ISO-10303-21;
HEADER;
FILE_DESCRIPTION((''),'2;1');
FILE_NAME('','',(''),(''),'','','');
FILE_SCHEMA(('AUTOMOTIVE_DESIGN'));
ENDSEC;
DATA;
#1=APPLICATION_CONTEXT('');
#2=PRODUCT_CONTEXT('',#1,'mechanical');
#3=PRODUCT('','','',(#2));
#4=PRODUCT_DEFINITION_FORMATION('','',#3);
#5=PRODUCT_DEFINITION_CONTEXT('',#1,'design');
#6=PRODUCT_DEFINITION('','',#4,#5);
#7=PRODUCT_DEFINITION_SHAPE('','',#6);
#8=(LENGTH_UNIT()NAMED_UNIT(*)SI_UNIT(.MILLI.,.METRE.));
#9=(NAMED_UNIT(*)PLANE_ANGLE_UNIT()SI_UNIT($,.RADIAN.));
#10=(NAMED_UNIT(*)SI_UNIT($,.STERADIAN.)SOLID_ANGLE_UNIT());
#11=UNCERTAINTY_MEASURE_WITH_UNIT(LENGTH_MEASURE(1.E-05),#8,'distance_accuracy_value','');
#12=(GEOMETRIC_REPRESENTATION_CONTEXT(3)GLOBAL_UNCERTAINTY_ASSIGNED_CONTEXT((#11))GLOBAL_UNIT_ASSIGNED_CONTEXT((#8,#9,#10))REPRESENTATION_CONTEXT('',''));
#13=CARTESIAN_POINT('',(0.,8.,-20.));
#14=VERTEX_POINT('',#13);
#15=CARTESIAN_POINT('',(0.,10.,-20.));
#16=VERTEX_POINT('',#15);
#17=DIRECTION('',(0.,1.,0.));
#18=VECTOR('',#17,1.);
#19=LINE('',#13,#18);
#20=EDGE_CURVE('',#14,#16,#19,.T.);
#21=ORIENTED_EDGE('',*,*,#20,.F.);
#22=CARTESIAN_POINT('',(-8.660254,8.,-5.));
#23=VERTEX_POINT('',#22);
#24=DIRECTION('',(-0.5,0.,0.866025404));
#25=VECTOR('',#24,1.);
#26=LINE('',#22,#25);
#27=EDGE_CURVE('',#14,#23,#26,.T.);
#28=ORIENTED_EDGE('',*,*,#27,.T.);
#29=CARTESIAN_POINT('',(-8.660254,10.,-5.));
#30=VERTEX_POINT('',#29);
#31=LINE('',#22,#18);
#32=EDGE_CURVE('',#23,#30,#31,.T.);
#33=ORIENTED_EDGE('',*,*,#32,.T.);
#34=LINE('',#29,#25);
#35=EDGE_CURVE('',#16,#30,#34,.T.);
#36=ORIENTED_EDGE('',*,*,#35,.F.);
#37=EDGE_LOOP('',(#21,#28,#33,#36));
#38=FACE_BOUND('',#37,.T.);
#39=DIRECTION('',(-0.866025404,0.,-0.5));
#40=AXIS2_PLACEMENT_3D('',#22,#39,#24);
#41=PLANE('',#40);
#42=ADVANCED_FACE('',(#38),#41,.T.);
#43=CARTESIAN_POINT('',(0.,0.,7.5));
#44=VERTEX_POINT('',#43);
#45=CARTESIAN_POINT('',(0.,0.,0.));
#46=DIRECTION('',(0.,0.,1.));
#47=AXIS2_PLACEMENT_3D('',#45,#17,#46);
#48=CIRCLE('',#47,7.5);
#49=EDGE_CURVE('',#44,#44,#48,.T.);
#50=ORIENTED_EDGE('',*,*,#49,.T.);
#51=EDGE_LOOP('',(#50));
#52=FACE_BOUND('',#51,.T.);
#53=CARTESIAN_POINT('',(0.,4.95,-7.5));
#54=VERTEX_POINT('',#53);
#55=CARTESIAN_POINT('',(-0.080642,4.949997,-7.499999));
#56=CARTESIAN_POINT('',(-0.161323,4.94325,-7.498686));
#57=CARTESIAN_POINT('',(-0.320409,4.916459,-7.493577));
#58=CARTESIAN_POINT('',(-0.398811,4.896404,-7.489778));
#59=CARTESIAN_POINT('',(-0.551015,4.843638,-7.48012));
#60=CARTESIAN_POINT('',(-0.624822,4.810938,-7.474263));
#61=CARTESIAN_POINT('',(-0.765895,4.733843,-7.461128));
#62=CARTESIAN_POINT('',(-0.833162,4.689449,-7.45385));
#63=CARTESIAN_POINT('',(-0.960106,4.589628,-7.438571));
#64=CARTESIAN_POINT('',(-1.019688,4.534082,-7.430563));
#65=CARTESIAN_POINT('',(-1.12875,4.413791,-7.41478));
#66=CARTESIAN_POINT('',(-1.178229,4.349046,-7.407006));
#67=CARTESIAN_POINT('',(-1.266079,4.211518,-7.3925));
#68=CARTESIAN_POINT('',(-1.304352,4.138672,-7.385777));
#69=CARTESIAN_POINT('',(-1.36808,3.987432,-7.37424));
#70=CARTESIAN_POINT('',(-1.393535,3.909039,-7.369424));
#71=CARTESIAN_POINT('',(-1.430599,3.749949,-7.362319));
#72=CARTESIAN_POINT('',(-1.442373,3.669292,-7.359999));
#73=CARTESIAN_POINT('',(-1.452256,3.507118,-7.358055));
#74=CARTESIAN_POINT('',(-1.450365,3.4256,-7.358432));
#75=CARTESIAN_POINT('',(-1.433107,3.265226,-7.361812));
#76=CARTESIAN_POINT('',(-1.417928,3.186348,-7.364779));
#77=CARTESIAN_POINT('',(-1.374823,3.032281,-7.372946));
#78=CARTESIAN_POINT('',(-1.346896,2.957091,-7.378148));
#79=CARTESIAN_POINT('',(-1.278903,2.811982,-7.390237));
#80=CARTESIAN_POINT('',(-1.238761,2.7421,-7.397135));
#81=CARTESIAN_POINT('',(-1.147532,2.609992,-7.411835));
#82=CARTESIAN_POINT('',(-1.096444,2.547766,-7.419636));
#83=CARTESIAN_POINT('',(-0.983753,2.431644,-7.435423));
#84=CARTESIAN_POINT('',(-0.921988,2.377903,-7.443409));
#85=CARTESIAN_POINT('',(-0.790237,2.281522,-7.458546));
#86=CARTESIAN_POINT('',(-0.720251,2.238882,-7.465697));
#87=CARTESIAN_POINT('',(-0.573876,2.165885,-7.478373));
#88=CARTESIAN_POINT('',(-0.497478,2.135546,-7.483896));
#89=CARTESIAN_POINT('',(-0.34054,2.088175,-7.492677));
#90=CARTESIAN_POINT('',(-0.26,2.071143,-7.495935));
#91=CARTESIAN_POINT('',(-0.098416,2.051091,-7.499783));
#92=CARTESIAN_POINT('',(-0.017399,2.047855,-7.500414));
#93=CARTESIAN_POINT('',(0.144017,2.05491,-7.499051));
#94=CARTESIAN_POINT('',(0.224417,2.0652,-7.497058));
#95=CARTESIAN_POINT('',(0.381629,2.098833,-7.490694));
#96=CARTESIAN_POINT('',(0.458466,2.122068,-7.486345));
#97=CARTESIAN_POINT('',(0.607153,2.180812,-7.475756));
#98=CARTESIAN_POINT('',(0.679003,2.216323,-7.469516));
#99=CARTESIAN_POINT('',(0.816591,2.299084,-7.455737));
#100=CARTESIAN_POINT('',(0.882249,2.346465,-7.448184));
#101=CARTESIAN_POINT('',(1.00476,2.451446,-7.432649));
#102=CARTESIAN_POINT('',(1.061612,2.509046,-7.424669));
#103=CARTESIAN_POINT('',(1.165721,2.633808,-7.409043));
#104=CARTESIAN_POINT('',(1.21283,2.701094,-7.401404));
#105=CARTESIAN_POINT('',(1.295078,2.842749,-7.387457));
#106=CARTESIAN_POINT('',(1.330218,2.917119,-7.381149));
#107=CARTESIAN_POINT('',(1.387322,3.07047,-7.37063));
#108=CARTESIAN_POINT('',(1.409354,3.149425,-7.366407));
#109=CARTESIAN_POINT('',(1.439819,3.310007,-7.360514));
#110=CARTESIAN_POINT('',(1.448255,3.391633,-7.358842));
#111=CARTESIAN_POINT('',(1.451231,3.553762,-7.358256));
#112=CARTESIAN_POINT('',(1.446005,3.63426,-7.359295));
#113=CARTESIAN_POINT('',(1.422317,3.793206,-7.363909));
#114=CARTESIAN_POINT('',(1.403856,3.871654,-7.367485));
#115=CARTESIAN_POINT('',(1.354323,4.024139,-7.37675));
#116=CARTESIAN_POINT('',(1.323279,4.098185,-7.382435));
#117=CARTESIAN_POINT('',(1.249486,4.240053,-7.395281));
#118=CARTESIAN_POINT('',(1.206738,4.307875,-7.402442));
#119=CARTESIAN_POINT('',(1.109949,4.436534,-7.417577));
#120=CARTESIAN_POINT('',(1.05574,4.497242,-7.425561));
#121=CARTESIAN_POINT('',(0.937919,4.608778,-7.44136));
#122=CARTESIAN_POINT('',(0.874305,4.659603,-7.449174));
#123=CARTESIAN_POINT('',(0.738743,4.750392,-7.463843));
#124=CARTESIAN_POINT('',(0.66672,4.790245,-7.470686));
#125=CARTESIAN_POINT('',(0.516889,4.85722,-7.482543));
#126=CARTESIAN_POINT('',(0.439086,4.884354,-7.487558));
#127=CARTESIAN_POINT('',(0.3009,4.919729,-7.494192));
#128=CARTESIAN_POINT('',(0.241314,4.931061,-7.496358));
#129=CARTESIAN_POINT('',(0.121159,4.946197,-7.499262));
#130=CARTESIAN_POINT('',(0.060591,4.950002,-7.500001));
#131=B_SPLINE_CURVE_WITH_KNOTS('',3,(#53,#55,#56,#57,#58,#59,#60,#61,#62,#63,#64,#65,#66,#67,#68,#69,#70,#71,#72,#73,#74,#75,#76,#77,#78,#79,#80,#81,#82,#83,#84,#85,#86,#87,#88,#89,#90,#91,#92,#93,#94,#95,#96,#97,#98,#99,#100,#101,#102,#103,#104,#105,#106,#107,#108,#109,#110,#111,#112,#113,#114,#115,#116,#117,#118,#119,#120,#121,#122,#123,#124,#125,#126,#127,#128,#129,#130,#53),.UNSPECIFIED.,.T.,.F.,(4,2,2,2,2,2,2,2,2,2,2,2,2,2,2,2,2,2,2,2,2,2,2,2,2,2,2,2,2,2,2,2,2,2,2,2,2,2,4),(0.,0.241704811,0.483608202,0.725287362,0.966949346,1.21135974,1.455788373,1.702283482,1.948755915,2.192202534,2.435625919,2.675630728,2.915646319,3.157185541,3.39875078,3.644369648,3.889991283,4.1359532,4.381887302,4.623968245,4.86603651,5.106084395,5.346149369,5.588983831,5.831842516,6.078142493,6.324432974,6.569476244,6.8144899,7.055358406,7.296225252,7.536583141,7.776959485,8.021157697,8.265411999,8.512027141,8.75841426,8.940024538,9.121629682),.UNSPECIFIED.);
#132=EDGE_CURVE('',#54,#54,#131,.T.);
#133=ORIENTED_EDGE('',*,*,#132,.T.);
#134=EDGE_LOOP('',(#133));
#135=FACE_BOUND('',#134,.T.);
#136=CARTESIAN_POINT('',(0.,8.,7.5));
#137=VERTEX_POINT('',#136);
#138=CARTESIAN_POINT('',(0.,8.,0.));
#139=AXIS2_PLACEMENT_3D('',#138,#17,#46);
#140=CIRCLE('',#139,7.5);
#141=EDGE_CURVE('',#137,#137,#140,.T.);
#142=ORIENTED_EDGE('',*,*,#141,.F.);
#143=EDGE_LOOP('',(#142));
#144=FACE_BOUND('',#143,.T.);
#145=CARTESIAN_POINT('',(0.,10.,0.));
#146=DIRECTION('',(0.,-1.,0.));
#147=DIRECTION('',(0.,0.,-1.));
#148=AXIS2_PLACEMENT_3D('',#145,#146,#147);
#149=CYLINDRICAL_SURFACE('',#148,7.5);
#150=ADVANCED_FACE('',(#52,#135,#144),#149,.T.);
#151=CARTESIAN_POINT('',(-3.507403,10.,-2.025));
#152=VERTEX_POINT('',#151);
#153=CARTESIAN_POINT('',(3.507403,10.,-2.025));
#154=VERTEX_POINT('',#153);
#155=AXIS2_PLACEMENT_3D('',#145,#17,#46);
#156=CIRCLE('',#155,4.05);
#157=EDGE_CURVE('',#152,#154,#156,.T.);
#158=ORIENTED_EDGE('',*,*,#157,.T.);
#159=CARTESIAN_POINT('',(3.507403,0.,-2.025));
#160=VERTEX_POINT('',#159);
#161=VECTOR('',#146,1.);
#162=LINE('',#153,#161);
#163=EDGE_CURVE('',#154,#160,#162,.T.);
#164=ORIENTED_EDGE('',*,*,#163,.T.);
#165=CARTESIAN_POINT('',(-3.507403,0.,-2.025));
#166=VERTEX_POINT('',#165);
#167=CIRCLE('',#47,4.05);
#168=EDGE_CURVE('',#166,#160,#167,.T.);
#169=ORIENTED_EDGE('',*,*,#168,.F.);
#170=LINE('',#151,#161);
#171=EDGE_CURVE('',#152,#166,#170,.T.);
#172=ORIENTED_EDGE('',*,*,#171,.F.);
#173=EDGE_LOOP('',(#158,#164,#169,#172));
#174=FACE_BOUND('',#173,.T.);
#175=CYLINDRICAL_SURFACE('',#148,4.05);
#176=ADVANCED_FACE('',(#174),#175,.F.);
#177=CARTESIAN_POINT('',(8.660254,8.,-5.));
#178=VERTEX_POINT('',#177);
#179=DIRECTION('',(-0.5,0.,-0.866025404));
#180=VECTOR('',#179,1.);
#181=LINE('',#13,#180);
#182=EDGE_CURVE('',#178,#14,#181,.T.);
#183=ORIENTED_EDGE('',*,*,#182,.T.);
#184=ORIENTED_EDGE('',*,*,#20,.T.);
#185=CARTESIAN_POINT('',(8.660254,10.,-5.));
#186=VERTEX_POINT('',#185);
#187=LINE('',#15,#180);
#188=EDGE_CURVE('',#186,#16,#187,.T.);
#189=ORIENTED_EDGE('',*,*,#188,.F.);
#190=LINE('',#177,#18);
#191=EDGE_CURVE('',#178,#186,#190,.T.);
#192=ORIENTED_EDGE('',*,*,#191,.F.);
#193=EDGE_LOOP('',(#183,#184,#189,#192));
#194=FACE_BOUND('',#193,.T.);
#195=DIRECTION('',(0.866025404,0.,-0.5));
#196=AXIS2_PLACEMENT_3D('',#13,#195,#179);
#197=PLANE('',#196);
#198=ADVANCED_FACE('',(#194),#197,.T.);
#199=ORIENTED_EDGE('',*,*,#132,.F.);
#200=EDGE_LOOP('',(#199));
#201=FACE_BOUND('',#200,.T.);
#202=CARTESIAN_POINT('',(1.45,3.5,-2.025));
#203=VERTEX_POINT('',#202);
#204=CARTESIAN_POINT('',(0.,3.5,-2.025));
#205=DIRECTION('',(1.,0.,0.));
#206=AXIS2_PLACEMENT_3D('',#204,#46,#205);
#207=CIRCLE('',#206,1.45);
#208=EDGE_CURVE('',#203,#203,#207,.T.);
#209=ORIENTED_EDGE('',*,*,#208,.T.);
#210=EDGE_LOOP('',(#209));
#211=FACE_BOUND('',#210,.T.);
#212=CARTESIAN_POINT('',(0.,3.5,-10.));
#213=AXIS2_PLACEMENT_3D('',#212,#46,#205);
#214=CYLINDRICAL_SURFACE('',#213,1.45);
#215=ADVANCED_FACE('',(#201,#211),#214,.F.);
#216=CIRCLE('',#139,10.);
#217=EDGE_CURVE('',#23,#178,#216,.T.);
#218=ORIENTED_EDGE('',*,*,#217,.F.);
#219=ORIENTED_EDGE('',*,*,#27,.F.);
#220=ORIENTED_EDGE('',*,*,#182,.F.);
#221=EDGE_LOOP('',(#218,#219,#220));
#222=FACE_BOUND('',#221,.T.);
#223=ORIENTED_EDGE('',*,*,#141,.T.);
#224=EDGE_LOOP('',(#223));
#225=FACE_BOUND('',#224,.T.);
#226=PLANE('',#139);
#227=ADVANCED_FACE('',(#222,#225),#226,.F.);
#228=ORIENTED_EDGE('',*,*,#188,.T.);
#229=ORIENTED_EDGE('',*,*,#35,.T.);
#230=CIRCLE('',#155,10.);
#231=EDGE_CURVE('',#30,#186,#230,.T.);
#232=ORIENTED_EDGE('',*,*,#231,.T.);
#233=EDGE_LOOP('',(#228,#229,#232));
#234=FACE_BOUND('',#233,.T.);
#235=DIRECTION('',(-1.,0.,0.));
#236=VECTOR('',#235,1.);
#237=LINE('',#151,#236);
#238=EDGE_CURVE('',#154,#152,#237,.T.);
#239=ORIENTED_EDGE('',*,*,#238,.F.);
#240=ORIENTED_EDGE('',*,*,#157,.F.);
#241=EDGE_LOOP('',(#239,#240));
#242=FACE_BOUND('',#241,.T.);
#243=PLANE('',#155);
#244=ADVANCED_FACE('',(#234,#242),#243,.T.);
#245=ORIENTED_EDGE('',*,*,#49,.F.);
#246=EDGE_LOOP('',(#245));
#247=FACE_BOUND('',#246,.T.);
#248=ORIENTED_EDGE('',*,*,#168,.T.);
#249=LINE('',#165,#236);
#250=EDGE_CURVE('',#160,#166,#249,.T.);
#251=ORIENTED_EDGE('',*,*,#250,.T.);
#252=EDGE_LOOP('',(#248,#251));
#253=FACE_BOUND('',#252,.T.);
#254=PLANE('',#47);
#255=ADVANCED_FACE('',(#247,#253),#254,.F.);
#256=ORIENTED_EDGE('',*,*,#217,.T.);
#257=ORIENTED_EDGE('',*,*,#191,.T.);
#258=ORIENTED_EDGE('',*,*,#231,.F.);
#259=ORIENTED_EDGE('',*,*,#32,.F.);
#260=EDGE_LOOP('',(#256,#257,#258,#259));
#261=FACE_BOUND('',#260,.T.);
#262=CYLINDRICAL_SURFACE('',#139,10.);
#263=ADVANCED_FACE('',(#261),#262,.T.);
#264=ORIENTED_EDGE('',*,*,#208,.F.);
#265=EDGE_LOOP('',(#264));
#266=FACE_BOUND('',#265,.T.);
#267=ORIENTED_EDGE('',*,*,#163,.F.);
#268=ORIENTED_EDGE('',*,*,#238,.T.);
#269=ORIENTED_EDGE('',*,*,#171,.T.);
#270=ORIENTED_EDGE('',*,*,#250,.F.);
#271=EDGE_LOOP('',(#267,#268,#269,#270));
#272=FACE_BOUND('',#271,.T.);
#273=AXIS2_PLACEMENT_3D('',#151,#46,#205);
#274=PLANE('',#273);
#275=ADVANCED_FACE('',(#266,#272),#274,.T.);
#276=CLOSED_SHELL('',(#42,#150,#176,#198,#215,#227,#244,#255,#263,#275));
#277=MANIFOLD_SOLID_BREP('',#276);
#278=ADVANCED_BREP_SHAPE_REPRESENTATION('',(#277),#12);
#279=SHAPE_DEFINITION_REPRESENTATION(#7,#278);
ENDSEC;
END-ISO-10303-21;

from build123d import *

# Parameters (mm, degrees)
SKETCH_1_R          = 7.5
SKETCH_1_R_2        = 4.05
EXTRUDE_1_DEPTH     = 10
EXTRUDE_START       = -2
SKETCH_2_R          = 4.05
EXTRUDE_2_DEPTH     = 2
EXTRUDE_3_DEPTH     = 10
SKETCH_4_R          = 1.45
CUT_EXTRUDE_1_DEPTH = 10


with BuildPart() as part:
    # 草图1 → 凸台-拉伸1 (new body)
    with BuildSketch(Plane(origin=(0, 0, 0), x_dir=(1, 0, 0), z_dir=(0, 1, 0))):
        with Locations(Location((0, 0, 0), (0, 0, 270))):
            Circle(SKETCH_1_R)
        with Locations(Location((0, 0, 0), (0, 0, 270))):
            Circle(SKETCH_1_R_2, mode=Mode.SUBTRACT)
    extrude(amount=EXTRUDE_1_DEPTH)

    # 草图2 → 凸台-拉伸2 (add)
    with BuildSketch(Plane(origin=(0, 10, 0), x_dir=(1, 0, 0), z_dir=(0, 1, 0)).offset(EXTRUDE_START)):
        with BuildLine():
            Line((-8.660254038, 5), (0, 20))
            Line((0, 20), (8.660254038, 5))
            ThreePointArc((8.660254038, 5), (0, -10), (-8.660254038, 5))
        make_face()
        with Locations(Location((0, 0, 0), (0, 0, 270))):
            Circle(SKETCH_2_R, mode=Mode.SUBTRACT)
    extrude(amount=EXTRUDE_2_DEPTH)

    # 草图3 → 凸台-拉伸3 (add)
    with BuildSketch(Plane.XZ):
        with BuildLine():
            Line((-3.507402885, -2.025), (3.507402885, -2.025))
            ThreePointArc((3.507402885, -2.025), (0, -4.05), (-3.507402885, -2.025))
        make_face()
    extrude(amount=-EXTRUDE_3_DEPTH)

    # 草图4 → 切除-拉伸1 (cut)
    with BuildSketch(Plane.XY):
        with Locations((0, 3.5)):
            Circle(SKETCH_4_R)
    extrude(amount=-CUT_EXTRUDE_1_DEPTH, mode=Mode.SUBTRACT)


solid = part.part
